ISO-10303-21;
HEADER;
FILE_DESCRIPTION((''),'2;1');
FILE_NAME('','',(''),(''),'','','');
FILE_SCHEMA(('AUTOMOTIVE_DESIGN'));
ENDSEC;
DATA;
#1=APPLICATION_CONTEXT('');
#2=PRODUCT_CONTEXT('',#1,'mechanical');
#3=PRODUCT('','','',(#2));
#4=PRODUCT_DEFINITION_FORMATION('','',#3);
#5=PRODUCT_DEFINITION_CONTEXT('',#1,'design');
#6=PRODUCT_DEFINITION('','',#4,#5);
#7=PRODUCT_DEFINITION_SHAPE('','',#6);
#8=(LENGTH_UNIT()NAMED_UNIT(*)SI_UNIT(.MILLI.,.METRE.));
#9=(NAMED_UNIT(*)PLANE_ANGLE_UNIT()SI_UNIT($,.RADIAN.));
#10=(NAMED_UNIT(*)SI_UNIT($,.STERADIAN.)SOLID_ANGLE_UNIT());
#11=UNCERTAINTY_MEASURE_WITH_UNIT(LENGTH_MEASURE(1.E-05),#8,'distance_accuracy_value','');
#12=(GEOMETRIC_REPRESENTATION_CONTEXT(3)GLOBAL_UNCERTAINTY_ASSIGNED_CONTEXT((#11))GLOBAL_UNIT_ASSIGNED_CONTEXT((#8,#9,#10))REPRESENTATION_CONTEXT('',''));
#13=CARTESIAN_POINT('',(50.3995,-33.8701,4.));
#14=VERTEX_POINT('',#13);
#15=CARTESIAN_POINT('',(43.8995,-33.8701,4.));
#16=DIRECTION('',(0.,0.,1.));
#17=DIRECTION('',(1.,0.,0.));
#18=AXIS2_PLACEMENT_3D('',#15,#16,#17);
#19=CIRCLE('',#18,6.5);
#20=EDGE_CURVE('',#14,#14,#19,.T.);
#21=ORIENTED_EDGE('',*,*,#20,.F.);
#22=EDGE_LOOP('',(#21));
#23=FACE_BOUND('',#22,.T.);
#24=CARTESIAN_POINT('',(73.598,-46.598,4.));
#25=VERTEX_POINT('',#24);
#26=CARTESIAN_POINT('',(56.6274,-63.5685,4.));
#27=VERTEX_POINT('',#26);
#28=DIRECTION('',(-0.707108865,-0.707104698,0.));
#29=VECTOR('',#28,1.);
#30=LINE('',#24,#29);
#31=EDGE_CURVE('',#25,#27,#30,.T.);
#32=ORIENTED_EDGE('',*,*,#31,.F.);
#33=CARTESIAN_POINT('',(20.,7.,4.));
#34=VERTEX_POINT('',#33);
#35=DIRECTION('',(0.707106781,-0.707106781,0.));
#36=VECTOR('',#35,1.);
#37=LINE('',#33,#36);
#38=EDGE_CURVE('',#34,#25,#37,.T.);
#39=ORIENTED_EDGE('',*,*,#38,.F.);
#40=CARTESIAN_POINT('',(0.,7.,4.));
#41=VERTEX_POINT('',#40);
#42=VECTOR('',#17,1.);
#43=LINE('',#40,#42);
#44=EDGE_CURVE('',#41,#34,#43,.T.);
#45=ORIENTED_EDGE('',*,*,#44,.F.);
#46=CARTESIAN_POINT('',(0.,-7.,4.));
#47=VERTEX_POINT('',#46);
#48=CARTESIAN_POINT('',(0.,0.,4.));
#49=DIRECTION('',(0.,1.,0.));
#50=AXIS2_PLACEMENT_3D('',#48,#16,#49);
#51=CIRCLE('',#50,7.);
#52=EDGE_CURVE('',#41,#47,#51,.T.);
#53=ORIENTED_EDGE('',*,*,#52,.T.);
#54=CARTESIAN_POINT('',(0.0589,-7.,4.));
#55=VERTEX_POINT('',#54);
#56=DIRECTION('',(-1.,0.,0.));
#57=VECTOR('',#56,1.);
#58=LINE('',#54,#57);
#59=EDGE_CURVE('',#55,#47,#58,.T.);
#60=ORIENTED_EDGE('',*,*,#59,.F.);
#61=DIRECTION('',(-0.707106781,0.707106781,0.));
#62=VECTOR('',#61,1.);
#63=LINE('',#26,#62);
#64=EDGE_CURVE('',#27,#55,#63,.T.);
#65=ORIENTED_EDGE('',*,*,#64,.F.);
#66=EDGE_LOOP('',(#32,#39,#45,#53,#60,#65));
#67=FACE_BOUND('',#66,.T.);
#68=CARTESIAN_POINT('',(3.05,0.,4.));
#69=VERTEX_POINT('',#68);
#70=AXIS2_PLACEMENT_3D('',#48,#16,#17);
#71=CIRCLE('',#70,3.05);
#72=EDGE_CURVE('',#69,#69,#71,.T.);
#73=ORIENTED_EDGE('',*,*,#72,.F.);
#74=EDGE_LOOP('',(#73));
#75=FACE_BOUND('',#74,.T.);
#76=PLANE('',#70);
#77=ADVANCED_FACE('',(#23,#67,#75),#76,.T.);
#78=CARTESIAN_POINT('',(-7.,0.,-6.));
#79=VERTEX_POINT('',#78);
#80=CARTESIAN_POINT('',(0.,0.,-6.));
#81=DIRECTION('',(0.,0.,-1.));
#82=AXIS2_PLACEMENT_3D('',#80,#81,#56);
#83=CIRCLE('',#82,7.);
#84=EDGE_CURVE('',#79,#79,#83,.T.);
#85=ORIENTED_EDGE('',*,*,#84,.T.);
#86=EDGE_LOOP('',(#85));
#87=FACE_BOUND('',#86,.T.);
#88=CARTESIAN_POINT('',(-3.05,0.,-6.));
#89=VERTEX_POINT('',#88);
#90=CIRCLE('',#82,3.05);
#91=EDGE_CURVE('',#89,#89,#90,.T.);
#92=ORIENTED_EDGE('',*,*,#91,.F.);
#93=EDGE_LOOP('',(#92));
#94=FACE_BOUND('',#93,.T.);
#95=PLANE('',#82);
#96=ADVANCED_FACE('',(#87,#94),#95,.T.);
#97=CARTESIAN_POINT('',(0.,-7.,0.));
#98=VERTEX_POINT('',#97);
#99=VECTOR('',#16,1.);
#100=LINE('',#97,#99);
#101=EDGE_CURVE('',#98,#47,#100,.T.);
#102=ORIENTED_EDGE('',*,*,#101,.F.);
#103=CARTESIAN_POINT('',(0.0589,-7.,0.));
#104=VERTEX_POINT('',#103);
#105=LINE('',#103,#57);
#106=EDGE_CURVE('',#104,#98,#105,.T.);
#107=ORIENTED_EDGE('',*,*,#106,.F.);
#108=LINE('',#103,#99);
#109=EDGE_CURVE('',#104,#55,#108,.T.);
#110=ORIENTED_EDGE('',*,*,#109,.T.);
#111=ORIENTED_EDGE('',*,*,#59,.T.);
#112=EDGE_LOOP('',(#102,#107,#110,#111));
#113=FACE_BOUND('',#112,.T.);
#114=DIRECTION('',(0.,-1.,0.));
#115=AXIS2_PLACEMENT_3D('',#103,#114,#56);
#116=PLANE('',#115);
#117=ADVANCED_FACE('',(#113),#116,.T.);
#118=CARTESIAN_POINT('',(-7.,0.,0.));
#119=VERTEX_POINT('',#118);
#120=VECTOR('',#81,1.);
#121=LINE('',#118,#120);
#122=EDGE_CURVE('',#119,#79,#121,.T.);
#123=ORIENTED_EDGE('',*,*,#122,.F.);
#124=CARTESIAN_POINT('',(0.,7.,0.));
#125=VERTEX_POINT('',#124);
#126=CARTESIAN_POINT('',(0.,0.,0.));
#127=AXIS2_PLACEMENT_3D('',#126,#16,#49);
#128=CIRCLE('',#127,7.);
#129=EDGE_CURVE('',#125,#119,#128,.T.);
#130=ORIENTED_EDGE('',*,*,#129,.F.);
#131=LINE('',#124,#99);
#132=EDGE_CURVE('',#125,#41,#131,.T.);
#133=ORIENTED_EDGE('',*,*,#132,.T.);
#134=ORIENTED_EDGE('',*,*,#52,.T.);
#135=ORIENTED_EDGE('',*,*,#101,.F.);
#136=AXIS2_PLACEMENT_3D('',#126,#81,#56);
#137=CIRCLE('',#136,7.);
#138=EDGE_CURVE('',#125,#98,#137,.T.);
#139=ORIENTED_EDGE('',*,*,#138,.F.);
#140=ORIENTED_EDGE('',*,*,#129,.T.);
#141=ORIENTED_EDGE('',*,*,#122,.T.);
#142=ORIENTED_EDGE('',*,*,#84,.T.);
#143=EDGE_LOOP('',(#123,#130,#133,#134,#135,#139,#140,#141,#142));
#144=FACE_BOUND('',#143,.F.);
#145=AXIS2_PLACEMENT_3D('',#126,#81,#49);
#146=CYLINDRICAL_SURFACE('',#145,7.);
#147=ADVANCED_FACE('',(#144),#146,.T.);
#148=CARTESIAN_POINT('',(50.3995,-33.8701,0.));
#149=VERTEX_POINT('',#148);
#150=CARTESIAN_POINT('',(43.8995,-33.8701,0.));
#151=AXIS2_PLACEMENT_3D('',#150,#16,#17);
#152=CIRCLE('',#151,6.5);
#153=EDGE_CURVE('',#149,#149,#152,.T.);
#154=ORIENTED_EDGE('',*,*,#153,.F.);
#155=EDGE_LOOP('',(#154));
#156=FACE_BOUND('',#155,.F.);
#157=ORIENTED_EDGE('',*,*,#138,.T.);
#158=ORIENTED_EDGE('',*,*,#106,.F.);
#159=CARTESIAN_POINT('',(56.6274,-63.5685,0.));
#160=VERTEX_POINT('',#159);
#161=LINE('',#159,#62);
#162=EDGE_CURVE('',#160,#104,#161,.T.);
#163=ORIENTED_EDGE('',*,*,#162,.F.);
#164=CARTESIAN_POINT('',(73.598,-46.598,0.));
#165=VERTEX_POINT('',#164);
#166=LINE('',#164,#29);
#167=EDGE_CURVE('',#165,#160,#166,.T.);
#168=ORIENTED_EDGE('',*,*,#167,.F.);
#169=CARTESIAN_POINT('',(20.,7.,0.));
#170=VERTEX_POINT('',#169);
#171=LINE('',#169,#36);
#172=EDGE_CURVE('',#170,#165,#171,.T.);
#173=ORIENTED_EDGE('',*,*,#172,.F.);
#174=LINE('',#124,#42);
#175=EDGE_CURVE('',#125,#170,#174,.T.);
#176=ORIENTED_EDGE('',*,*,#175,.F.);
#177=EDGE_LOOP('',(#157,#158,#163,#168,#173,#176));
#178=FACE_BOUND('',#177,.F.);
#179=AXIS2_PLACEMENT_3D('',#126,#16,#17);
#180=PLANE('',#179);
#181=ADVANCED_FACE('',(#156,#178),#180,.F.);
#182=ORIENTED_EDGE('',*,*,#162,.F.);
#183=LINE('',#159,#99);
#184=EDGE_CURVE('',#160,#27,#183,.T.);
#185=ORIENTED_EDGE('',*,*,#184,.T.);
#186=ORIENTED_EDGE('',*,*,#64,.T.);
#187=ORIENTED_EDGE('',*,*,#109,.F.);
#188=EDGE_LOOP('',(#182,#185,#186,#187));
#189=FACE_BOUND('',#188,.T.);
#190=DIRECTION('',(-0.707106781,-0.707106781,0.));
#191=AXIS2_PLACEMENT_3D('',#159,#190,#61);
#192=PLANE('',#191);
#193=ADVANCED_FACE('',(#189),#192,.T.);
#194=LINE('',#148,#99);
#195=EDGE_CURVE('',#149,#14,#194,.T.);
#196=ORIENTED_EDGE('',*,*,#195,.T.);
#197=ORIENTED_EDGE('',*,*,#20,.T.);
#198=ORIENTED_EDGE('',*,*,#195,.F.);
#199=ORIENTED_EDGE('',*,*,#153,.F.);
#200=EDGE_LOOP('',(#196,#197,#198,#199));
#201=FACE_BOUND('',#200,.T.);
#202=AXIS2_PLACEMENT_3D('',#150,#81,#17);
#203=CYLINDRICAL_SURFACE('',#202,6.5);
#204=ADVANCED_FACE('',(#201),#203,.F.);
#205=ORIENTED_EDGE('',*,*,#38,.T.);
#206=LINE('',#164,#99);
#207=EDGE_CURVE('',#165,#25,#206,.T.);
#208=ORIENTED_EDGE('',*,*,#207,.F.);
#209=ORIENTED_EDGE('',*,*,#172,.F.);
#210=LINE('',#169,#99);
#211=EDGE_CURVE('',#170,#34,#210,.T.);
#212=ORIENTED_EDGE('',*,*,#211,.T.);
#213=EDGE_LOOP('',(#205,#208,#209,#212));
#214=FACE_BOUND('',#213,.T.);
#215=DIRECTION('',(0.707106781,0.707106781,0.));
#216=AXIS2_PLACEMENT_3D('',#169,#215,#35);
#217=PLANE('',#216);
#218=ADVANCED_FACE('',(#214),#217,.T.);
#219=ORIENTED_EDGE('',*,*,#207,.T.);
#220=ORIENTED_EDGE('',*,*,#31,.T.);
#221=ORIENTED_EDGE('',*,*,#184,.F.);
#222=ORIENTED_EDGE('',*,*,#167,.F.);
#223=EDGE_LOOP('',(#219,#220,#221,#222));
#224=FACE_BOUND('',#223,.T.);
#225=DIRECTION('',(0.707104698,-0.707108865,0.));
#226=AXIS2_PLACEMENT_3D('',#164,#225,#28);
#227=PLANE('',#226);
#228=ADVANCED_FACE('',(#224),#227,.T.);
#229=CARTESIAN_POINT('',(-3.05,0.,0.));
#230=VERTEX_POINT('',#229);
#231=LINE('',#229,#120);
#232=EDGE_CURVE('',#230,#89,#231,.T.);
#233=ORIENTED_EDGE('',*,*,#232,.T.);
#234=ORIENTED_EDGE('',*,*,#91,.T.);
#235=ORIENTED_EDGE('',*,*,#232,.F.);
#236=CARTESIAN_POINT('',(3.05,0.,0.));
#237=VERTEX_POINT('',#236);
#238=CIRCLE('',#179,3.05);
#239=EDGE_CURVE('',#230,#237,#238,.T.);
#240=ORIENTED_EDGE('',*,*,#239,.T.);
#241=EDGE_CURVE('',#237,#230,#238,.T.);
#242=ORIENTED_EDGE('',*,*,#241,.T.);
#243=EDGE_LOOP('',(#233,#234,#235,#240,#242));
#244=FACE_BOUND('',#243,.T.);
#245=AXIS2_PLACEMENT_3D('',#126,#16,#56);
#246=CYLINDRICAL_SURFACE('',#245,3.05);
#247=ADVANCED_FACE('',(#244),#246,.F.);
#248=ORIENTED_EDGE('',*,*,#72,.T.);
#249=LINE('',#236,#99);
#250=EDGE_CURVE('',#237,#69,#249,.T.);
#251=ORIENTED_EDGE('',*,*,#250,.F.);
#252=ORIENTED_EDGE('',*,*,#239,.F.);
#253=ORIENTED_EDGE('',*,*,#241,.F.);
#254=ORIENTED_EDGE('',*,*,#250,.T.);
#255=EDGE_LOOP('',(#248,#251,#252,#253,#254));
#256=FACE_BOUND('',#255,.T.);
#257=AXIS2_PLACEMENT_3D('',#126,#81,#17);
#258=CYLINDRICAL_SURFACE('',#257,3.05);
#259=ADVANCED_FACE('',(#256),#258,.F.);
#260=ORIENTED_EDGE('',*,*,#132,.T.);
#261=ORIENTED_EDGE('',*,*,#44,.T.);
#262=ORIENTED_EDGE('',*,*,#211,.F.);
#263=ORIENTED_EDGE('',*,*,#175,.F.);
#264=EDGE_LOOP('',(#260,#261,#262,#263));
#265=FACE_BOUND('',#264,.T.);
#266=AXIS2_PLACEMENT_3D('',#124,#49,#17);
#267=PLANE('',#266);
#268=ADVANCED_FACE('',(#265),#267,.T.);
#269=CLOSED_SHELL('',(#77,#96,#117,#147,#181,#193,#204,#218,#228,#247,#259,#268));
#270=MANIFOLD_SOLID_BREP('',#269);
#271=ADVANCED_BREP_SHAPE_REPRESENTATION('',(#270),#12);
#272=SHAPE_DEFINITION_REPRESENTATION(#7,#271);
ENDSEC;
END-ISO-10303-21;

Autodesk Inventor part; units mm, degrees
ref_plane "YZ Plane" through (0, 0, 0) normal (1, 0, 0) x (0, 1, 0)
ref_plane "XZ Plane" through (0, 0, 0) normal (0, 1, 0) x (-1, 0, 0)
ref_plane "XY Plane" through (0, 0, 0) normal (0, 0, 1) x (1, 0, 0)
sketch "Skizze1" plane through (0, 0, 0) normal (0, 0, 1) x (1, 0, 0)
  arc A0 (0, 7) -> (0, -7) centre (0, 0) ccw
  line L0 (0, 7) -> (20, 7)
  line L1 (20, 7) -> (73.598, -46.598)
  line L2 (73.598, -46.598) -> (56.6274, -63.5685)
  line L3 (56.6274, -63.5685) -> (0.0589, -7)
  line L4 (0.0589, -7) -> (0, -7)
  line L5 (65.1127, -55.0833) -> (43.8995, -33.8701) construction
  circle A1 centre (43.8995, -33.8701) radius 6.5
  circle A2 centre (0, 0) radius 3.05
  dimension "d0" = 14
  dimension "d1" = 6.1
  dimension "d2" = 13
  dimension "d3" = 24
  dimension "d4" = 80
  dimension "d5" = 30
  dimension "d6" = 20
  dimension "d7" = 135
extrude "Extrusion1" add sketch "Skizze1" along normal blind 4
sketch "Skizze3" plane through (0, 0, 0) normal (0, 0, -1) x (-1, 0, 0)
  circle A0 centre (0, 0) radius 3.05
  circle A1 centre (0, 0) radius 7
  dimension "d14" = 14
  dimension "d15" = 6.1
extrude "Extrusion3" add sketch "Skizze3" along normal blind 6
properties part number "Armrechts"
